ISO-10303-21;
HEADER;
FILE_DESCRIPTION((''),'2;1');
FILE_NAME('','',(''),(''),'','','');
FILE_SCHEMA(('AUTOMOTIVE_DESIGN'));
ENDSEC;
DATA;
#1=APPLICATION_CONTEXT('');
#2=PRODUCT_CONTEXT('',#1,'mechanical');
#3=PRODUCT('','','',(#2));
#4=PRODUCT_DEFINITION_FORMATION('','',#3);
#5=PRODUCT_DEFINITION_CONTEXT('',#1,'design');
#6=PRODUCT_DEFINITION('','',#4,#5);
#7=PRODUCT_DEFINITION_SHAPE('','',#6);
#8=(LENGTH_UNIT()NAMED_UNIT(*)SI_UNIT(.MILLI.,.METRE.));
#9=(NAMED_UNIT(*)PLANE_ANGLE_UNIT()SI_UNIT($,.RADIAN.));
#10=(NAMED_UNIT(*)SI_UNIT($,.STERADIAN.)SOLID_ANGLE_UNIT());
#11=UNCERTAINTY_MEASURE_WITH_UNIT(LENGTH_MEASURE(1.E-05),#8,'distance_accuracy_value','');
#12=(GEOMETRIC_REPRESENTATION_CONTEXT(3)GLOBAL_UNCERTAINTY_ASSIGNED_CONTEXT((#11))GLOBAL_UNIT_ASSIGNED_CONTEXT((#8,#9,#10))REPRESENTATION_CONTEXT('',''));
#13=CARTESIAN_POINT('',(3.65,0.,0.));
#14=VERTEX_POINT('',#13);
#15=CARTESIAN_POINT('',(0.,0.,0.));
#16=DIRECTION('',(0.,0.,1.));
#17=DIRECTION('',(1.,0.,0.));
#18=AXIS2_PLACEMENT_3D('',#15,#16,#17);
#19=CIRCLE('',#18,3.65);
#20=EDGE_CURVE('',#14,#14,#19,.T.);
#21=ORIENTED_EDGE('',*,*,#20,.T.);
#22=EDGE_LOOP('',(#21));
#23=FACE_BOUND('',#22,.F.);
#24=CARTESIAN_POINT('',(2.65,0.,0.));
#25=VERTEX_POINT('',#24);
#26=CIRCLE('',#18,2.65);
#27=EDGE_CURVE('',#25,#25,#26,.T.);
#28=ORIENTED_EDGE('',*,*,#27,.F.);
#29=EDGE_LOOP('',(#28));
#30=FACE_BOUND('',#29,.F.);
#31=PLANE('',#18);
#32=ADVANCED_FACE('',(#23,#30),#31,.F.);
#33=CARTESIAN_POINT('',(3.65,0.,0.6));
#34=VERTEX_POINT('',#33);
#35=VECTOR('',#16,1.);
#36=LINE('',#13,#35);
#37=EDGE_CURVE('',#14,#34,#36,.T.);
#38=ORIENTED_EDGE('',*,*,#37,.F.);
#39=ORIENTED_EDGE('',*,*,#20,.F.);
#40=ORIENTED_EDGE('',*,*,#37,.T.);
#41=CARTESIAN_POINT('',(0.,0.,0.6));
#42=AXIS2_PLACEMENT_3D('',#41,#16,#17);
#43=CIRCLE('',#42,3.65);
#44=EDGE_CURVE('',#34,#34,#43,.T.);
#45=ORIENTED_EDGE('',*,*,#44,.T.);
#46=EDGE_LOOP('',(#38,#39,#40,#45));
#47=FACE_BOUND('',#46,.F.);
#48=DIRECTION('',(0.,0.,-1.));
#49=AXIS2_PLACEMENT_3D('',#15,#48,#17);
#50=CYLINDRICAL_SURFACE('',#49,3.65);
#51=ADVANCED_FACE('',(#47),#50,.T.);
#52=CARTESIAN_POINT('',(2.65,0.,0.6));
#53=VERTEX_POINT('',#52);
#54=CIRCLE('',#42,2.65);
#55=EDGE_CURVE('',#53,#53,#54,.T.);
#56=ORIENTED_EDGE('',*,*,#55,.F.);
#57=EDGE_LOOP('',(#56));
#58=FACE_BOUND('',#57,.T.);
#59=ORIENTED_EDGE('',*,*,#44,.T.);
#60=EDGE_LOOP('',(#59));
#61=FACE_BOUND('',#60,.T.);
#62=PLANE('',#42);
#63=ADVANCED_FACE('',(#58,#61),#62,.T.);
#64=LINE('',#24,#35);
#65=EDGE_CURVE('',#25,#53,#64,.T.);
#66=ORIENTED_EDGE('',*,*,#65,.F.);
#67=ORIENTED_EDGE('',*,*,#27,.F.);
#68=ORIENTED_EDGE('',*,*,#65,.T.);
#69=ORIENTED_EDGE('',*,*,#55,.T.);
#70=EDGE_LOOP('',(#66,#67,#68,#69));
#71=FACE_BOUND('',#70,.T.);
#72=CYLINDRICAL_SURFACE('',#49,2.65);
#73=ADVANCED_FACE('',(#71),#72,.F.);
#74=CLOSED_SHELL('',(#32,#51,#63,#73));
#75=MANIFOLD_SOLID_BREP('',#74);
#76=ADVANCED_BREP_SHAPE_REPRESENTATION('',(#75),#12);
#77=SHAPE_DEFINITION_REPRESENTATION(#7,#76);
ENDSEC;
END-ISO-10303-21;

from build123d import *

# Parameters (mm, degrees)
SKETCH_R   = 3.65
SKETCH_R_2 = 2.65
PAD_DEPTH  = 0.6


with BuildPart() as part:
    # Sketch → Pad (new body)
    with BuildSketch(Plane.XY):
        Circle(SKETCH_R)
        Circle(SKETCH_R_2, mode=Mode.SUBTRACT)
    extrude(amount=PAD_DEPTH)


solid = part.part
